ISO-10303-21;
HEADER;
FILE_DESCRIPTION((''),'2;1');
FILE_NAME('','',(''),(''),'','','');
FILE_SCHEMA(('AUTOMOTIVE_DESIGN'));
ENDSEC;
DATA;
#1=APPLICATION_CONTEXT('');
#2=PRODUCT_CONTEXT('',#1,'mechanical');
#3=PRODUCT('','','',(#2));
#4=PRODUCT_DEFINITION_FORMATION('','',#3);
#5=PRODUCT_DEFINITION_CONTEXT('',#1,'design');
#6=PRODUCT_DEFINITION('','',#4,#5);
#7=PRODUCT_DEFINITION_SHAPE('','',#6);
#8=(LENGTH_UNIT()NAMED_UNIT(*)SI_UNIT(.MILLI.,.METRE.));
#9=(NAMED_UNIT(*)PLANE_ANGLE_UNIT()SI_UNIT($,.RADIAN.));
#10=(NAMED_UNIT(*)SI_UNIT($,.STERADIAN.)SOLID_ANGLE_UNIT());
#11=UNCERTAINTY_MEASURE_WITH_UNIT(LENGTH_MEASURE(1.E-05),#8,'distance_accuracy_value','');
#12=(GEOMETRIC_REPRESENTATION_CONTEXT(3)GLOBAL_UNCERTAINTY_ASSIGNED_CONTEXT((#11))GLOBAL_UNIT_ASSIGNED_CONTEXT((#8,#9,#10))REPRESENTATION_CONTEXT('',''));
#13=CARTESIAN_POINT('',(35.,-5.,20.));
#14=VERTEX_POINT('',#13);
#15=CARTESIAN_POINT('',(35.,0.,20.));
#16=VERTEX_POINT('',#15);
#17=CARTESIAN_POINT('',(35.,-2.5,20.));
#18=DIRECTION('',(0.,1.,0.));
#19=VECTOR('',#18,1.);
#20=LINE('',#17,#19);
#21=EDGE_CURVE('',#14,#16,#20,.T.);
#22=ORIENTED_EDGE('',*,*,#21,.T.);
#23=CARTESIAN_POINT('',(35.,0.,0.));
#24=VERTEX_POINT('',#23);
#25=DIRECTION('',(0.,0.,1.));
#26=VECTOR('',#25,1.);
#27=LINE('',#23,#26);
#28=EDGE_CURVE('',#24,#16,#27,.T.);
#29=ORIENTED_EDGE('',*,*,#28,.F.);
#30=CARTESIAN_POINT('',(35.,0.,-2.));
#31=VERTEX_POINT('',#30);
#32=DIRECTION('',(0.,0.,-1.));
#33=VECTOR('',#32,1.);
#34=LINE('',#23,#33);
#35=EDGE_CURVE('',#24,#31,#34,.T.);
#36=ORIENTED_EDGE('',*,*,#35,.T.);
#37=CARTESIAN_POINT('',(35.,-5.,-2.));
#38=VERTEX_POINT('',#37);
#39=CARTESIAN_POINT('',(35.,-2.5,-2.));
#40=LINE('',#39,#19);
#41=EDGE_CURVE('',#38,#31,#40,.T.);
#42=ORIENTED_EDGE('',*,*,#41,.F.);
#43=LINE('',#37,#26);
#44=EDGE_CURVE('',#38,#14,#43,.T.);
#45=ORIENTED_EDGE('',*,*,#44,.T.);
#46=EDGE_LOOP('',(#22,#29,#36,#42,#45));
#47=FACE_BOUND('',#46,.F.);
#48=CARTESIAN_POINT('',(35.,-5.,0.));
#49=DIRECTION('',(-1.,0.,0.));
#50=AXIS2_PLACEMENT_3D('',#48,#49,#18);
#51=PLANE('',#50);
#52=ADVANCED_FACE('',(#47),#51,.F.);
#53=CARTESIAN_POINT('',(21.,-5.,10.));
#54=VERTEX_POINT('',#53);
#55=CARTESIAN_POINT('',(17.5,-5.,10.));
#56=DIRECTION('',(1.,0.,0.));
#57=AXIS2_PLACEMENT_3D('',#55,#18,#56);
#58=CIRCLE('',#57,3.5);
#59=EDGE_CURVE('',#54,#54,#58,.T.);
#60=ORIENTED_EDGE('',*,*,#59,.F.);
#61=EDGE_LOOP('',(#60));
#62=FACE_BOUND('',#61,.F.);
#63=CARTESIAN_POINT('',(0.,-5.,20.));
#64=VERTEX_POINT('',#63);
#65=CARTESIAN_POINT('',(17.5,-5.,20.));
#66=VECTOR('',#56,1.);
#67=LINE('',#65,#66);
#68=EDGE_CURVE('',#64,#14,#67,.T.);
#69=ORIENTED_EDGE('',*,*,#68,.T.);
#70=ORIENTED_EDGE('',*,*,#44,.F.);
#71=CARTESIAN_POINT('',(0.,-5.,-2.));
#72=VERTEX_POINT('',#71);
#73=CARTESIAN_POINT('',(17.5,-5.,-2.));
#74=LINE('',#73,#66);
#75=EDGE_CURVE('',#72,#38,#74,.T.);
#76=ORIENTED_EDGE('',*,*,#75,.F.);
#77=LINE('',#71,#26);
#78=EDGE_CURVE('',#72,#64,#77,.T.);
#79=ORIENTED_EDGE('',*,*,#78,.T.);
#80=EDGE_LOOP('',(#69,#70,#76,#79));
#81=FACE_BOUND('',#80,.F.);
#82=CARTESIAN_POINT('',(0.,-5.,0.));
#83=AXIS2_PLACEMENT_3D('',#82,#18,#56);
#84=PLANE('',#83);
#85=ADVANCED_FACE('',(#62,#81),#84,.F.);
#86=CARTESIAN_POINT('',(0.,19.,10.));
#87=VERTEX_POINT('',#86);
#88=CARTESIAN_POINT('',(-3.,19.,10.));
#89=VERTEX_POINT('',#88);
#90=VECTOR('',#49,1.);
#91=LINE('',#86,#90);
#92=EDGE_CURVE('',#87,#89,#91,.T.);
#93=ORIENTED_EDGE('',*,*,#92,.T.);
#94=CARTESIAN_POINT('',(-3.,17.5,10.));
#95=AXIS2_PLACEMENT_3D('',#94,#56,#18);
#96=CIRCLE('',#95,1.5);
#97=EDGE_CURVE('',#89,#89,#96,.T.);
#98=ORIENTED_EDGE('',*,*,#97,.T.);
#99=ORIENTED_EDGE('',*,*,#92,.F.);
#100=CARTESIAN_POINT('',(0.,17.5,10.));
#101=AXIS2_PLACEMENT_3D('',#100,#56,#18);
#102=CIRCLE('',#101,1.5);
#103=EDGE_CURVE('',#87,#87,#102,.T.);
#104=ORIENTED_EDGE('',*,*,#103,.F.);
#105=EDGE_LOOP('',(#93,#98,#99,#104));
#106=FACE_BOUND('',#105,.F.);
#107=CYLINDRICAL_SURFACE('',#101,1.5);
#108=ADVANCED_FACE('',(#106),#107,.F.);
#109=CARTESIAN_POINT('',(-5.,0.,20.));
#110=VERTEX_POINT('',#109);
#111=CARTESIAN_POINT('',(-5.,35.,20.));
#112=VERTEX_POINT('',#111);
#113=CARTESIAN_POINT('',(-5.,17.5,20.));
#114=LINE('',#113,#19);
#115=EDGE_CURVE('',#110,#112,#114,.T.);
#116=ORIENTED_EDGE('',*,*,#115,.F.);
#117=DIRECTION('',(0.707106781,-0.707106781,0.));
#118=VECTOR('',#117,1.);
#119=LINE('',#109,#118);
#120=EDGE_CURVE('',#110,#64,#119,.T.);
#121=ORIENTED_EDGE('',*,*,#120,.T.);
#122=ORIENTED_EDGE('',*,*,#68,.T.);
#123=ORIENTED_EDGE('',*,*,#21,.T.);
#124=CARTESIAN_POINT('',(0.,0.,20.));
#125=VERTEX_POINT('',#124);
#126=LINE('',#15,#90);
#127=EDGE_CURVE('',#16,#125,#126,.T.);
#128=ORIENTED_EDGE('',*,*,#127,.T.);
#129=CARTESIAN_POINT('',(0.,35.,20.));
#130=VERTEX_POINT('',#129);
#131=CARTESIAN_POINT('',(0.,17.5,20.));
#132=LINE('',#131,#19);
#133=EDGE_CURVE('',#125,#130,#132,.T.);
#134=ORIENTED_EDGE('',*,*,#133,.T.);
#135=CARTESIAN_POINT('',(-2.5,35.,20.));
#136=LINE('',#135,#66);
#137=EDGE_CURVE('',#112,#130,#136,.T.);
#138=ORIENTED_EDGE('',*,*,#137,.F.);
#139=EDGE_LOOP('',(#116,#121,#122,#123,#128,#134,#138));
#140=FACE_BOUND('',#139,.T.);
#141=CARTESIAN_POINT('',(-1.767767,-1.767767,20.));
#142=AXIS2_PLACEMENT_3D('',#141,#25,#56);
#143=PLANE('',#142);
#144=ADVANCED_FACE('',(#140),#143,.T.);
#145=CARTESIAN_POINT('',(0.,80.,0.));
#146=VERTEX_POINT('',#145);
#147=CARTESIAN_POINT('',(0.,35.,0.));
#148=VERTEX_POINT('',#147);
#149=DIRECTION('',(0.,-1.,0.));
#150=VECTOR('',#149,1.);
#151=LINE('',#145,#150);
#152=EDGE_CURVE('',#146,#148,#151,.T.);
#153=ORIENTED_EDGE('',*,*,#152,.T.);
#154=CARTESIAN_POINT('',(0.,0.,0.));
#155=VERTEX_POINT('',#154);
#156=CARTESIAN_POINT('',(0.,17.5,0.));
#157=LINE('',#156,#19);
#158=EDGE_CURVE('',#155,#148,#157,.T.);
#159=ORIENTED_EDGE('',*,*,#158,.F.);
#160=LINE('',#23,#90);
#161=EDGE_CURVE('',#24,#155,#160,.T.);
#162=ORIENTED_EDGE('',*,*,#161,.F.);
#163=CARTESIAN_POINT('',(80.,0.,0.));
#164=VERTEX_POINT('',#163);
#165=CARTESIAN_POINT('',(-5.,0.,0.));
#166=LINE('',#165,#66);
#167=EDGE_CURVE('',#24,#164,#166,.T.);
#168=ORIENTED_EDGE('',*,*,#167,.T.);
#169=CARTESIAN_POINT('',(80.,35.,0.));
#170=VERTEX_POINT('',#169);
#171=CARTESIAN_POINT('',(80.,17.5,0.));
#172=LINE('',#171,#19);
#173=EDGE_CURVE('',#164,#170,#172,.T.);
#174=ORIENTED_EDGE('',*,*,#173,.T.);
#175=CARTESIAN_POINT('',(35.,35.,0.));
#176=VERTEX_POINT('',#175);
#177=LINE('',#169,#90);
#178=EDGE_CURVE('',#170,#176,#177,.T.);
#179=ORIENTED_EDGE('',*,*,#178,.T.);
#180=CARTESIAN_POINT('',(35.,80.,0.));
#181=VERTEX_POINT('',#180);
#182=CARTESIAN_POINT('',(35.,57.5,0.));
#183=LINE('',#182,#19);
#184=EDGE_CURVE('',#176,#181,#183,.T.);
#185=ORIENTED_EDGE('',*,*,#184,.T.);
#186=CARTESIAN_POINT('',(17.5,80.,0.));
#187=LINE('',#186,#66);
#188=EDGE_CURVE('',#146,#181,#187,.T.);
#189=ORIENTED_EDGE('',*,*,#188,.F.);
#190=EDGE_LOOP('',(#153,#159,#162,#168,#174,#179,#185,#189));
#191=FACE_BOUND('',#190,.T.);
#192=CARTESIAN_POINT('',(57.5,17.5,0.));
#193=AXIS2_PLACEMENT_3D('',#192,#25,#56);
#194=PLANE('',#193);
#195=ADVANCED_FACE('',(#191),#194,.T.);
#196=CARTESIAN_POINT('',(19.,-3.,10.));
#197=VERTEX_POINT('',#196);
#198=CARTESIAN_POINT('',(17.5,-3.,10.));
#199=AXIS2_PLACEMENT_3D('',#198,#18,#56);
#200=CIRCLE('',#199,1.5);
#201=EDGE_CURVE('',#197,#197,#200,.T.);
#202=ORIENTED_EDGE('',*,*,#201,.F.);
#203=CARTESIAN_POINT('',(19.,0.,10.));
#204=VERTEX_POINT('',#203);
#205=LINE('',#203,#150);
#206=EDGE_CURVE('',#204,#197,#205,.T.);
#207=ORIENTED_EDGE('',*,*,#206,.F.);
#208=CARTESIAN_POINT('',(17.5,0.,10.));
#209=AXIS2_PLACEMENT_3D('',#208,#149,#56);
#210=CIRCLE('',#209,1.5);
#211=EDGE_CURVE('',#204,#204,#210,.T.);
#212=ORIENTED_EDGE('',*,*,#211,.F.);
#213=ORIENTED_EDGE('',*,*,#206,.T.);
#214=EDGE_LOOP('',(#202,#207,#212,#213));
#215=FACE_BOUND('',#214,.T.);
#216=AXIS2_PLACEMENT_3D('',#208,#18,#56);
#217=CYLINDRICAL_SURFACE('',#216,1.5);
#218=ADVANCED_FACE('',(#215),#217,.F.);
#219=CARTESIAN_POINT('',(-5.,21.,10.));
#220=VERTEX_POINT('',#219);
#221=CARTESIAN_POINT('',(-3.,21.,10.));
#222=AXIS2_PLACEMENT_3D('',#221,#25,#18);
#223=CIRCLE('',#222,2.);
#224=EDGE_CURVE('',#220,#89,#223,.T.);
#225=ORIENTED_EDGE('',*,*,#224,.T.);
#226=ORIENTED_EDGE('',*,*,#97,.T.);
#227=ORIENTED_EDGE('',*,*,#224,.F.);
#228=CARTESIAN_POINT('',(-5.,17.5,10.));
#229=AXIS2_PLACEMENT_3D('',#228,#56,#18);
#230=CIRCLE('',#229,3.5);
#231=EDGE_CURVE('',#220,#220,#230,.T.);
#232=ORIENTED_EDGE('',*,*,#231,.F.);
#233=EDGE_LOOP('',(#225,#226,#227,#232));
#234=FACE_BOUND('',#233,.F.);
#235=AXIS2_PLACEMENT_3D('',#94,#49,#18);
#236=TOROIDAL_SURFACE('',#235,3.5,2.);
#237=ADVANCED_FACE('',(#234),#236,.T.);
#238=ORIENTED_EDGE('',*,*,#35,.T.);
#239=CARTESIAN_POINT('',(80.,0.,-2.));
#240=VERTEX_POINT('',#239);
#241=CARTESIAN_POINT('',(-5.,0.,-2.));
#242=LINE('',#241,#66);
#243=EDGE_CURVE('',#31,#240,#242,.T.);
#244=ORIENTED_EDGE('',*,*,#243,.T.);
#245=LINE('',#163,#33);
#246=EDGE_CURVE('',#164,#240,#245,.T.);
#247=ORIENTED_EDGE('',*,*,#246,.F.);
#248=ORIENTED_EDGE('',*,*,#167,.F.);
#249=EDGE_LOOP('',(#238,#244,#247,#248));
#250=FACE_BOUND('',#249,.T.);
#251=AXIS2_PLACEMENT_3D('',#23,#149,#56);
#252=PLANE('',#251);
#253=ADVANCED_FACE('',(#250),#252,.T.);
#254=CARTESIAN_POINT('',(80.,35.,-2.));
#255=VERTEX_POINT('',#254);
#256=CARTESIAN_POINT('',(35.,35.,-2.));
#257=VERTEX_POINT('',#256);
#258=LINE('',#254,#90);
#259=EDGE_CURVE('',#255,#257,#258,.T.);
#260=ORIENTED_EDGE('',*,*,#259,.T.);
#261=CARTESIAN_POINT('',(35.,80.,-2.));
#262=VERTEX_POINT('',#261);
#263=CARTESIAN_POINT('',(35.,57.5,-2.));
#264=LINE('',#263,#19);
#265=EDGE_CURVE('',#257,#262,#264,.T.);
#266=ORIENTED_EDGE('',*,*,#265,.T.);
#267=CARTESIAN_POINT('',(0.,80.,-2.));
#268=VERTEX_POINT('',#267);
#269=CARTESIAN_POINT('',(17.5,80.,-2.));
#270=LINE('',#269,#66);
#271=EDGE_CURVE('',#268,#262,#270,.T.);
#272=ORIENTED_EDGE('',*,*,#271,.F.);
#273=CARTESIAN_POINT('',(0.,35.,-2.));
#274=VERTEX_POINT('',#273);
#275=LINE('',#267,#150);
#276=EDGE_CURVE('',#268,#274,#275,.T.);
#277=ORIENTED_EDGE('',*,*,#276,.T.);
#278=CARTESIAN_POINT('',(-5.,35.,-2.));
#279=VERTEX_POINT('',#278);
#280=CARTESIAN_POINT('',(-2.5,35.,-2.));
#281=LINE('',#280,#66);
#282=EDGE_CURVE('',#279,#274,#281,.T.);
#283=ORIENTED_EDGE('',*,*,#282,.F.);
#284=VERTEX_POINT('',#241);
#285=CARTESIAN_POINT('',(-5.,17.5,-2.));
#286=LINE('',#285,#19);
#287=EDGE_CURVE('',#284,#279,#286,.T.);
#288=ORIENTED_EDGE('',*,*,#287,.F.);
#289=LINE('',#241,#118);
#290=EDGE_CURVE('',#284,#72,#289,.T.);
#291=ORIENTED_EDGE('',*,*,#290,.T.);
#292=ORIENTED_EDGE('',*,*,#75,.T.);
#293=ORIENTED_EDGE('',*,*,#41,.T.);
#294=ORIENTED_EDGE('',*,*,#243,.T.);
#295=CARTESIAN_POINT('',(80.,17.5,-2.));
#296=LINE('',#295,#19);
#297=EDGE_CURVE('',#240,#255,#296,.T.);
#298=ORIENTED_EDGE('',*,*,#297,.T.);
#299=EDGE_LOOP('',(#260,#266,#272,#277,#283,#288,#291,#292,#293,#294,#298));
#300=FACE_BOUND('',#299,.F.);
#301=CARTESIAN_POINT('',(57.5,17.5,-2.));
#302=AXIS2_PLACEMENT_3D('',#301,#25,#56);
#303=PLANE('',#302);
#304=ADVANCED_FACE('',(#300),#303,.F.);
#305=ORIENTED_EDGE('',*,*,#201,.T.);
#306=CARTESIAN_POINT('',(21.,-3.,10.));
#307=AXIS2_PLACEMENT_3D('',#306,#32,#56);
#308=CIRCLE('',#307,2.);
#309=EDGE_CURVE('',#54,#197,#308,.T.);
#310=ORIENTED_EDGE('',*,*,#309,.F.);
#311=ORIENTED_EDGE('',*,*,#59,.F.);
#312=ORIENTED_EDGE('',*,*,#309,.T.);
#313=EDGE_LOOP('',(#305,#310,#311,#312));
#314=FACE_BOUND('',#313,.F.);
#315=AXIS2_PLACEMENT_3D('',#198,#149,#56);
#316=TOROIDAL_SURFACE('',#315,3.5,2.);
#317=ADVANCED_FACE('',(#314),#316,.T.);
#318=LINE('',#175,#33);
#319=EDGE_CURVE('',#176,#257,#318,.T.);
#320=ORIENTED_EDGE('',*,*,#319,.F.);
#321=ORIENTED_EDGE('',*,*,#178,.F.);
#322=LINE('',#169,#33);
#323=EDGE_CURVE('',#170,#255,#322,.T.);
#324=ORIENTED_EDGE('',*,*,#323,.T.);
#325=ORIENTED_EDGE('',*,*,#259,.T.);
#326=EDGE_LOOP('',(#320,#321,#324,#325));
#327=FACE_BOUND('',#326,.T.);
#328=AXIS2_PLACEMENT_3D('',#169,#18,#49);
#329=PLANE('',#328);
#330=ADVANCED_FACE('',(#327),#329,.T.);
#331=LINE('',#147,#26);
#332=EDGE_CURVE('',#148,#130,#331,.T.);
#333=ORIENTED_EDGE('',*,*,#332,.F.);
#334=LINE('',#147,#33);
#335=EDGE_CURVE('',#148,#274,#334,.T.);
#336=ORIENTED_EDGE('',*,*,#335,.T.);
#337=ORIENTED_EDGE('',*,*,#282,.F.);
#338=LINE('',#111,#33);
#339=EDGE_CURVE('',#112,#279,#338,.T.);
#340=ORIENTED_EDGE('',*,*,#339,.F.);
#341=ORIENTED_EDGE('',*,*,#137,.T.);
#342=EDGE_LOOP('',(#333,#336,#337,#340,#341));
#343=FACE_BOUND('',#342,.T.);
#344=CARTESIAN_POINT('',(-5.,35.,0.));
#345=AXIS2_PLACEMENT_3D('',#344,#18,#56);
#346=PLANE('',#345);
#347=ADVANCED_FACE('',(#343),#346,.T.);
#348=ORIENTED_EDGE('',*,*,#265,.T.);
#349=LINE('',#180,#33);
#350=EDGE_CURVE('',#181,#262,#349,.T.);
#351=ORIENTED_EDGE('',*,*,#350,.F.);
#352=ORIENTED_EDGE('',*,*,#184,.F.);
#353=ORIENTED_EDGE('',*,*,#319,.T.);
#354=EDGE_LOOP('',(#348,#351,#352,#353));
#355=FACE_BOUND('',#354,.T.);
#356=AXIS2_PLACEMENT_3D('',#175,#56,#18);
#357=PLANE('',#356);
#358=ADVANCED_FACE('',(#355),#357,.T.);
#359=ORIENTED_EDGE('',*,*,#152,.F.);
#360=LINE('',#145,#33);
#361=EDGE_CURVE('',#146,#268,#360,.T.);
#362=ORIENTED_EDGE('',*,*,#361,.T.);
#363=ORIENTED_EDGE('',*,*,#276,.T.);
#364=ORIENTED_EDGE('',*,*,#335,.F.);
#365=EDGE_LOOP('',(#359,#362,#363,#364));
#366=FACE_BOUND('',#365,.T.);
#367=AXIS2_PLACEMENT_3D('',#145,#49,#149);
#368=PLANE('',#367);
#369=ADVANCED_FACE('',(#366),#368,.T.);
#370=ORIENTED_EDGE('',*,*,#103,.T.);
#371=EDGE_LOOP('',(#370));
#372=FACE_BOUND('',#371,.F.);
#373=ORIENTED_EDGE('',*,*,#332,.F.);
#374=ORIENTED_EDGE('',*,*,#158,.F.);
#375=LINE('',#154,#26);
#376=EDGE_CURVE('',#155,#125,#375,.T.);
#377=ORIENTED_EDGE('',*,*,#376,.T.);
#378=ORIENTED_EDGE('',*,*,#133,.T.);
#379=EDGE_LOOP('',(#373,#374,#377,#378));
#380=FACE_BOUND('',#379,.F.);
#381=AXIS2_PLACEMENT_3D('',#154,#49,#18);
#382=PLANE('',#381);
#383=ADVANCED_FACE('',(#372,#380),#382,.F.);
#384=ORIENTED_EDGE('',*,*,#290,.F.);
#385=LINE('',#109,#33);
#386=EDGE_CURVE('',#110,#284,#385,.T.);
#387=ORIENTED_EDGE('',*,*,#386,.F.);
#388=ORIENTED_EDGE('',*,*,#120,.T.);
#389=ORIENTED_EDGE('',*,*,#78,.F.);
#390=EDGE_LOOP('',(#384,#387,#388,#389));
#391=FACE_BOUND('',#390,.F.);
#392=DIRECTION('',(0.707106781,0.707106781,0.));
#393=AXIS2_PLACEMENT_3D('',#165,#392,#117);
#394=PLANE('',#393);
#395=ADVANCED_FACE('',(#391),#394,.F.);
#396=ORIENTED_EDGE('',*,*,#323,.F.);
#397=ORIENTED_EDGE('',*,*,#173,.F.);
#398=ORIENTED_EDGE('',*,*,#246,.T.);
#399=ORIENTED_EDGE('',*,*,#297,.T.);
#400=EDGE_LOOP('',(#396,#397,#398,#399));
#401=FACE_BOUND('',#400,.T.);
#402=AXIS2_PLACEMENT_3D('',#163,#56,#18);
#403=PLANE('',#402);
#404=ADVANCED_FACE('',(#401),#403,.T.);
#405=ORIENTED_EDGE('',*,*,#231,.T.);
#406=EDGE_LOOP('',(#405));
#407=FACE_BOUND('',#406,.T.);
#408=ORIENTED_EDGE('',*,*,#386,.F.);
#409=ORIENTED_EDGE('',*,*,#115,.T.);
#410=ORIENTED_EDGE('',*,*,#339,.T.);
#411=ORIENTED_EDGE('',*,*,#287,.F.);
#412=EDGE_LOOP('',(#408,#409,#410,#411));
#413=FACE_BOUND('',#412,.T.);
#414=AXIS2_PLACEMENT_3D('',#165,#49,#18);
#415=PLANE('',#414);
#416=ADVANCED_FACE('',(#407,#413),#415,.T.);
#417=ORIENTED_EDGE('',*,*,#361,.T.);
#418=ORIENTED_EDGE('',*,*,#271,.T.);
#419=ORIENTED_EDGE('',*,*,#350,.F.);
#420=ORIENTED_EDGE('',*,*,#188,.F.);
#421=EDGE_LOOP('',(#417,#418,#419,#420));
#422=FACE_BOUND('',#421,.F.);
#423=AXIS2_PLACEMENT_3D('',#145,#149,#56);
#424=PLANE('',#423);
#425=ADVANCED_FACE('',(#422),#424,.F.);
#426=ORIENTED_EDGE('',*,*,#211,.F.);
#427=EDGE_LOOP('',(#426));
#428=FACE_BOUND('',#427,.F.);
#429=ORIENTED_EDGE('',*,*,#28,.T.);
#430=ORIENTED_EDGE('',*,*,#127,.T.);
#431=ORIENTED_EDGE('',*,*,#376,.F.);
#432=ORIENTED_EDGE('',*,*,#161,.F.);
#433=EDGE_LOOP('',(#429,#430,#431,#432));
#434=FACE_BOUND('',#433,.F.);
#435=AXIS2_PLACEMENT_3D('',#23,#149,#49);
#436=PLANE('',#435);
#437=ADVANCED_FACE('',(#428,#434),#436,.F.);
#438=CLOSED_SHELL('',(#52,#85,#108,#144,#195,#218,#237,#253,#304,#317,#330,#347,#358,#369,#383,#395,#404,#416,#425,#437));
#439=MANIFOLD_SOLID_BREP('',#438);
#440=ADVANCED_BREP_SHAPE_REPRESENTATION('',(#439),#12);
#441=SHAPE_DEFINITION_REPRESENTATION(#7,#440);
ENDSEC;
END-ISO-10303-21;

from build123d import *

# Parameters (mm, degrees)
F0_W     = 45
F0_H     = 35
F0_W_2   = 35
F0_H_2   = 45
F0_W_3   = 5
F0_H_3   = 5
F3_DEPTH = 2
F4_DEPTH = 20
F1_R     = 1.5
F5_DEPTH = 25
F2_R     = 1.5
F6_DEPTH = 25
F7_R     = 2


with BuildPart() as f3:
    # F0 (on Top) → F3 (new body)
    with BuildSketch(Plane.XY):
        with Locations((57.5, 17.5)):
            Rectangle(F0_W, F0_H)
        with Locations((17.5, 17.5)):
            Rectangle(F0_W_2, F0_H)
        with Locations((17.5, 57.5)):
            Rectangle(F0_W_2, F0_H_2)
        with Locations((-2.5, 17.5)):
            Rectangle(F0_W_3, F0_H)
        with Locations((17.5, -2.5)):
            Rectangle(F0_W_2, F0_H_3)
        Polygon((0, -5), (0, 0), (-5, 0), align=None)
    extrude(amount=-F3_DEPTH)

    # F0 (on Top) → F4 (join)
    with BuildSketch(Plane.XY):
        Polygon((0, -5), (0, 0), (-5, 0), align=None)
        with Locations((17.5, -2.5)):
            Rectangle(F0_W_2, F0_H_3)
        with Locations((-2.5, 17.5)):
            Rectangle(F0_W_3, F0_H)
    extrude(amount=F4_DEPTH)

    # F1 (on Front) → F5 (cut)
    with BuildSketch(Plane.XZ):
        with Locations((17.5, 10)):
            Circle(F1_R)
    extrude(amount=F5_DEPTH, mode=Mode.SUBTRACT)

    # F2 (on Right) → F6 (cut)
    with BuildSketch(Plane.YZ):
        with Locations((17.5, 10)):
            Circle(F2_R)
    extrude(amount=-F6_DEPTH, mode=Mode.SUBTRACT)

    # F7
    f7_edges = [f3.edges().sort_by_distance(p)[0] for p in [
        (16, -5, 10),
        (-5, 16, 10),
    ]]
    fillet(f7_edges, radius=F7_R)


solid = f3.part
